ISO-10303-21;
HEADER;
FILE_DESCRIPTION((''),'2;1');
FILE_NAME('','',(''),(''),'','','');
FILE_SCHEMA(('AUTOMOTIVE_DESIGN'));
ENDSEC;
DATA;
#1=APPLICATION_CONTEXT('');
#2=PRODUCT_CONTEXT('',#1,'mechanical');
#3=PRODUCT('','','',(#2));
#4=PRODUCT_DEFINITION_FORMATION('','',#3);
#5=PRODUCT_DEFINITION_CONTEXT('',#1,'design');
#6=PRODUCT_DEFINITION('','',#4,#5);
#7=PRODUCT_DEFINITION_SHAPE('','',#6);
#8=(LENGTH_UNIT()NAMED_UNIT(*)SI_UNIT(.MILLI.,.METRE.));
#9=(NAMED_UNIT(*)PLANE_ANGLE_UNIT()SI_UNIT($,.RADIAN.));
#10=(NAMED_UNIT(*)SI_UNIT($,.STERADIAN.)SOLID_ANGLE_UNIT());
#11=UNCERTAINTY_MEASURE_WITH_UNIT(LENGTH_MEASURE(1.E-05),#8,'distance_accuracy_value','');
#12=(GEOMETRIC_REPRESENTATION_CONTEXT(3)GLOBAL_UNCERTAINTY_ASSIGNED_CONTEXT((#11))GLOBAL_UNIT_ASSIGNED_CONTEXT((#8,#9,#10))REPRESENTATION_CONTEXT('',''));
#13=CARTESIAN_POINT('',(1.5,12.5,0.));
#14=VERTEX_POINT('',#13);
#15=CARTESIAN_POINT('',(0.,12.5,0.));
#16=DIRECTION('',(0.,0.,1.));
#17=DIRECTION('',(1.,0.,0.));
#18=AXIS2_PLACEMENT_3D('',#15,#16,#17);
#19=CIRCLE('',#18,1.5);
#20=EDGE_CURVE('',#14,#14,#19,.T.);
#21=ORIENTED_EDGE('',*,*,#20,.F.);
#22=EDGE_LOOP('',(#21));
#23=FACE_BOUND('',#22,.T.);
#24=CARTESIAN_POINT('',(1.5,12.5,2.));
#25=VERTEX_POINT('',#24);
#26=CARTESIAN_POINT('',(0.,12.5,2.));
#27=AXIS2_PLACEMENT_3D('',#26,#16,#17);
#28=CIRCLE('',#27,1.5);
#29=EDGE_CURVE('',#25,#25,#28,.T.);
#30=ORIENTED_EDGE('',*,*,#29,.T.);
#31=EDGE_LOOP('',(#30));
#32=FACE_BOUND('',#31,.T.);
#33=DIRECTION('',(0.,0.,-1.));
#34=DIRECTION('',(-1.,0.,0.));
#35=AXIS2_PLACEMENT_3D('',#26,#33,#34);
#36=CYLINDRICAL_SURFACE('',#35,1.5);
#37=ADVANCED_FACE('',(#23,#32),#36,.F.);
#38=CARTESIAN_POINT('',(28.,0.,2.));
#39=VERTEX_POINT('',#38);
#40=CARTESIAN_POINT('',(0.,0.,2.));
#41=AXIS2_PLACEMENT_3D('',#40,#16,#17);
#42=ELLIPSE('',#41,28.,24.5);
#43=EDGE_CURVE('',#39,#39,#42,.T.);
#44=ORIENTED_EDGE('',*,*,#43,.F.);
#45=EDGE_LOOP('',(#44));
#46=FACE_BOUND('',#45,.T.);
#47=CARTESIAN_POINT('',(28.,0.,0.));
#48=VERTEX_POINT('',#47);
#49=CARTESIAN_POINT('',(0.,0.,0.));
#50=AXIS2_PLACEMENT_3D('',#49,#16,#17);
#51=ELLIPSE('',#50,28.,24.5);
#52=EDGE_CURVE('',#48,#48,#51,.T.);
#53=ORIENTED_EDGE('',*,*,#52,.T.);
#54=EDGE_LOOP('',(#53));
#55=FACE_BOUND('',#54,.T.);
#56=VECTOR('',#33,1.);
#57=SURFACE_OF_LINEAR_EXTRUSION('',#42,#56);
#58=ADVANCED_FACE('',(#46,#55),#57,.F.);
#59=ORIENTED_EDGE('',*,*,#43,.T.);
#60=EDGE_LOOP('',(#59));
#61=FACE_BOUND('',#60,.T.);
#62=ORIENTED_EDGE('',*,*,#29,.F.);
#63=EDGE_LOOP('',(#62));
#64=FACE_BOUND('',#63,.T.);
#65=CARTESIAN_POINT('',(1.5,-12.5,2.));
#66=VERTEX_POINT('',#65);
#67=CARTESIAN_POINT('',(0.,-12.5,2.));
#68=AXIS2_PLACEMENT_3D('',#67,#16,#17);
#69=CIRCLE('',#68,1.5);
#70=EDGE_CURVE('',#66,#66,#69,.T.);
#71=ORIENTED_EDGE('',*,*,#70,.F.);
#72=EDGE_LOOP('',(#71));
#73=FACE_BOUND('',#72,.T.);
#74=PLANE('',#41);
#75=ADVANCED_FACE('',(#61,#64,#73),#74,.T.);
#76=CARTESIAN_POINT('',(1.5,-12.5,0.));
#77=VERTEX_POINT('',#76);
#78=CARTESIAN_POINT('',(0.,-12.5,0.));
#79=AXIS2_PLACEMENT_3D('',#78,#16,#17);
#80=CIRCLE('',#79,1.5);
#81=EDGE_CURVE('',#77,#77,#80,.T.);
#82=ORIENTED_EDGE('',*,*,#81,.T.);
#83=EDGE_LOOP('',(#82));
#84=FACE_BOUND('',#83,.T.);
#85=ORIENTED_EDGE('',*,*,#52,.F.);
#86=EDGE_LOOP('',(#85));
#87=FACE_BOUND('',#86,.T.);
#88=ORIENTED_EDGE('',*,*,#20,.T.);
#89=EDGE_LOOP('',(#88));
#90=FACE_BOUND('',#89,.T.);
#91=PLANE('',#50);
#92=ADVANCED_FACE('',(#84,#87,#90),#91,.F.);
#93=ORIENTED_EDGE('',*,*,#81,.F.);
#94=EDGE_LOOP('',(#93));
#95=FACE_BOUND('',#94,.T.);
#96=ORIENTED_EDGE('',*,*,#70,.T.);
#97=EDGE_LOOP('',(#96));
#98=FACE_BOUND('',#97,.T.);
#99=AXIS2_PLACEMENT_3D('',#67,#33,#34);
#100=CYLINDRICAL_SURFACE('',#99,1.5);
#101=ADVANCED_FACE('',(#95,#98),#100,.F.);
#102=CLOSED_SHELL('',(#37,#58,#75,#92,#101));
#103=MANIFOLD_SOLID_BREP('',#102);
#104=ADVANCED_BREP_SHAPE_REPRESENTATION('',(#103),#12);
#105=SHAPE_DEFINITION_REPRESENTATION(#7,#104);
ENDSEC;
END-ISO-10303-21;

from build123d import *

# Parameters (mm, degrees)
SKETCH1_RX          = 28
SKETCH1_RY          = 24.5
SKETCH1_R           = 1.5
BOSS_EXTRUDE1_DEPTH = 2


with BuildPart() as part:
    # Sketch1 → Boss-Extrude1 (new body)
    with BuildSketch(Plane.XY):
        with Locations((0, 0)):
            Ellipse(SKETCH1_RX, SKETCH1_RY)
        with Locations((0, 12.5)):
            Circle(SKETCH1_R, mode=Mode.SUBTRACT)
        with Locations((0, -12.5)):
            Circle(SKETCH1_R, mode=Mode.SUBTRACT)
    extrude(amount=BOSS_EXTRUDE1_DEPTH)


solid = part.part
